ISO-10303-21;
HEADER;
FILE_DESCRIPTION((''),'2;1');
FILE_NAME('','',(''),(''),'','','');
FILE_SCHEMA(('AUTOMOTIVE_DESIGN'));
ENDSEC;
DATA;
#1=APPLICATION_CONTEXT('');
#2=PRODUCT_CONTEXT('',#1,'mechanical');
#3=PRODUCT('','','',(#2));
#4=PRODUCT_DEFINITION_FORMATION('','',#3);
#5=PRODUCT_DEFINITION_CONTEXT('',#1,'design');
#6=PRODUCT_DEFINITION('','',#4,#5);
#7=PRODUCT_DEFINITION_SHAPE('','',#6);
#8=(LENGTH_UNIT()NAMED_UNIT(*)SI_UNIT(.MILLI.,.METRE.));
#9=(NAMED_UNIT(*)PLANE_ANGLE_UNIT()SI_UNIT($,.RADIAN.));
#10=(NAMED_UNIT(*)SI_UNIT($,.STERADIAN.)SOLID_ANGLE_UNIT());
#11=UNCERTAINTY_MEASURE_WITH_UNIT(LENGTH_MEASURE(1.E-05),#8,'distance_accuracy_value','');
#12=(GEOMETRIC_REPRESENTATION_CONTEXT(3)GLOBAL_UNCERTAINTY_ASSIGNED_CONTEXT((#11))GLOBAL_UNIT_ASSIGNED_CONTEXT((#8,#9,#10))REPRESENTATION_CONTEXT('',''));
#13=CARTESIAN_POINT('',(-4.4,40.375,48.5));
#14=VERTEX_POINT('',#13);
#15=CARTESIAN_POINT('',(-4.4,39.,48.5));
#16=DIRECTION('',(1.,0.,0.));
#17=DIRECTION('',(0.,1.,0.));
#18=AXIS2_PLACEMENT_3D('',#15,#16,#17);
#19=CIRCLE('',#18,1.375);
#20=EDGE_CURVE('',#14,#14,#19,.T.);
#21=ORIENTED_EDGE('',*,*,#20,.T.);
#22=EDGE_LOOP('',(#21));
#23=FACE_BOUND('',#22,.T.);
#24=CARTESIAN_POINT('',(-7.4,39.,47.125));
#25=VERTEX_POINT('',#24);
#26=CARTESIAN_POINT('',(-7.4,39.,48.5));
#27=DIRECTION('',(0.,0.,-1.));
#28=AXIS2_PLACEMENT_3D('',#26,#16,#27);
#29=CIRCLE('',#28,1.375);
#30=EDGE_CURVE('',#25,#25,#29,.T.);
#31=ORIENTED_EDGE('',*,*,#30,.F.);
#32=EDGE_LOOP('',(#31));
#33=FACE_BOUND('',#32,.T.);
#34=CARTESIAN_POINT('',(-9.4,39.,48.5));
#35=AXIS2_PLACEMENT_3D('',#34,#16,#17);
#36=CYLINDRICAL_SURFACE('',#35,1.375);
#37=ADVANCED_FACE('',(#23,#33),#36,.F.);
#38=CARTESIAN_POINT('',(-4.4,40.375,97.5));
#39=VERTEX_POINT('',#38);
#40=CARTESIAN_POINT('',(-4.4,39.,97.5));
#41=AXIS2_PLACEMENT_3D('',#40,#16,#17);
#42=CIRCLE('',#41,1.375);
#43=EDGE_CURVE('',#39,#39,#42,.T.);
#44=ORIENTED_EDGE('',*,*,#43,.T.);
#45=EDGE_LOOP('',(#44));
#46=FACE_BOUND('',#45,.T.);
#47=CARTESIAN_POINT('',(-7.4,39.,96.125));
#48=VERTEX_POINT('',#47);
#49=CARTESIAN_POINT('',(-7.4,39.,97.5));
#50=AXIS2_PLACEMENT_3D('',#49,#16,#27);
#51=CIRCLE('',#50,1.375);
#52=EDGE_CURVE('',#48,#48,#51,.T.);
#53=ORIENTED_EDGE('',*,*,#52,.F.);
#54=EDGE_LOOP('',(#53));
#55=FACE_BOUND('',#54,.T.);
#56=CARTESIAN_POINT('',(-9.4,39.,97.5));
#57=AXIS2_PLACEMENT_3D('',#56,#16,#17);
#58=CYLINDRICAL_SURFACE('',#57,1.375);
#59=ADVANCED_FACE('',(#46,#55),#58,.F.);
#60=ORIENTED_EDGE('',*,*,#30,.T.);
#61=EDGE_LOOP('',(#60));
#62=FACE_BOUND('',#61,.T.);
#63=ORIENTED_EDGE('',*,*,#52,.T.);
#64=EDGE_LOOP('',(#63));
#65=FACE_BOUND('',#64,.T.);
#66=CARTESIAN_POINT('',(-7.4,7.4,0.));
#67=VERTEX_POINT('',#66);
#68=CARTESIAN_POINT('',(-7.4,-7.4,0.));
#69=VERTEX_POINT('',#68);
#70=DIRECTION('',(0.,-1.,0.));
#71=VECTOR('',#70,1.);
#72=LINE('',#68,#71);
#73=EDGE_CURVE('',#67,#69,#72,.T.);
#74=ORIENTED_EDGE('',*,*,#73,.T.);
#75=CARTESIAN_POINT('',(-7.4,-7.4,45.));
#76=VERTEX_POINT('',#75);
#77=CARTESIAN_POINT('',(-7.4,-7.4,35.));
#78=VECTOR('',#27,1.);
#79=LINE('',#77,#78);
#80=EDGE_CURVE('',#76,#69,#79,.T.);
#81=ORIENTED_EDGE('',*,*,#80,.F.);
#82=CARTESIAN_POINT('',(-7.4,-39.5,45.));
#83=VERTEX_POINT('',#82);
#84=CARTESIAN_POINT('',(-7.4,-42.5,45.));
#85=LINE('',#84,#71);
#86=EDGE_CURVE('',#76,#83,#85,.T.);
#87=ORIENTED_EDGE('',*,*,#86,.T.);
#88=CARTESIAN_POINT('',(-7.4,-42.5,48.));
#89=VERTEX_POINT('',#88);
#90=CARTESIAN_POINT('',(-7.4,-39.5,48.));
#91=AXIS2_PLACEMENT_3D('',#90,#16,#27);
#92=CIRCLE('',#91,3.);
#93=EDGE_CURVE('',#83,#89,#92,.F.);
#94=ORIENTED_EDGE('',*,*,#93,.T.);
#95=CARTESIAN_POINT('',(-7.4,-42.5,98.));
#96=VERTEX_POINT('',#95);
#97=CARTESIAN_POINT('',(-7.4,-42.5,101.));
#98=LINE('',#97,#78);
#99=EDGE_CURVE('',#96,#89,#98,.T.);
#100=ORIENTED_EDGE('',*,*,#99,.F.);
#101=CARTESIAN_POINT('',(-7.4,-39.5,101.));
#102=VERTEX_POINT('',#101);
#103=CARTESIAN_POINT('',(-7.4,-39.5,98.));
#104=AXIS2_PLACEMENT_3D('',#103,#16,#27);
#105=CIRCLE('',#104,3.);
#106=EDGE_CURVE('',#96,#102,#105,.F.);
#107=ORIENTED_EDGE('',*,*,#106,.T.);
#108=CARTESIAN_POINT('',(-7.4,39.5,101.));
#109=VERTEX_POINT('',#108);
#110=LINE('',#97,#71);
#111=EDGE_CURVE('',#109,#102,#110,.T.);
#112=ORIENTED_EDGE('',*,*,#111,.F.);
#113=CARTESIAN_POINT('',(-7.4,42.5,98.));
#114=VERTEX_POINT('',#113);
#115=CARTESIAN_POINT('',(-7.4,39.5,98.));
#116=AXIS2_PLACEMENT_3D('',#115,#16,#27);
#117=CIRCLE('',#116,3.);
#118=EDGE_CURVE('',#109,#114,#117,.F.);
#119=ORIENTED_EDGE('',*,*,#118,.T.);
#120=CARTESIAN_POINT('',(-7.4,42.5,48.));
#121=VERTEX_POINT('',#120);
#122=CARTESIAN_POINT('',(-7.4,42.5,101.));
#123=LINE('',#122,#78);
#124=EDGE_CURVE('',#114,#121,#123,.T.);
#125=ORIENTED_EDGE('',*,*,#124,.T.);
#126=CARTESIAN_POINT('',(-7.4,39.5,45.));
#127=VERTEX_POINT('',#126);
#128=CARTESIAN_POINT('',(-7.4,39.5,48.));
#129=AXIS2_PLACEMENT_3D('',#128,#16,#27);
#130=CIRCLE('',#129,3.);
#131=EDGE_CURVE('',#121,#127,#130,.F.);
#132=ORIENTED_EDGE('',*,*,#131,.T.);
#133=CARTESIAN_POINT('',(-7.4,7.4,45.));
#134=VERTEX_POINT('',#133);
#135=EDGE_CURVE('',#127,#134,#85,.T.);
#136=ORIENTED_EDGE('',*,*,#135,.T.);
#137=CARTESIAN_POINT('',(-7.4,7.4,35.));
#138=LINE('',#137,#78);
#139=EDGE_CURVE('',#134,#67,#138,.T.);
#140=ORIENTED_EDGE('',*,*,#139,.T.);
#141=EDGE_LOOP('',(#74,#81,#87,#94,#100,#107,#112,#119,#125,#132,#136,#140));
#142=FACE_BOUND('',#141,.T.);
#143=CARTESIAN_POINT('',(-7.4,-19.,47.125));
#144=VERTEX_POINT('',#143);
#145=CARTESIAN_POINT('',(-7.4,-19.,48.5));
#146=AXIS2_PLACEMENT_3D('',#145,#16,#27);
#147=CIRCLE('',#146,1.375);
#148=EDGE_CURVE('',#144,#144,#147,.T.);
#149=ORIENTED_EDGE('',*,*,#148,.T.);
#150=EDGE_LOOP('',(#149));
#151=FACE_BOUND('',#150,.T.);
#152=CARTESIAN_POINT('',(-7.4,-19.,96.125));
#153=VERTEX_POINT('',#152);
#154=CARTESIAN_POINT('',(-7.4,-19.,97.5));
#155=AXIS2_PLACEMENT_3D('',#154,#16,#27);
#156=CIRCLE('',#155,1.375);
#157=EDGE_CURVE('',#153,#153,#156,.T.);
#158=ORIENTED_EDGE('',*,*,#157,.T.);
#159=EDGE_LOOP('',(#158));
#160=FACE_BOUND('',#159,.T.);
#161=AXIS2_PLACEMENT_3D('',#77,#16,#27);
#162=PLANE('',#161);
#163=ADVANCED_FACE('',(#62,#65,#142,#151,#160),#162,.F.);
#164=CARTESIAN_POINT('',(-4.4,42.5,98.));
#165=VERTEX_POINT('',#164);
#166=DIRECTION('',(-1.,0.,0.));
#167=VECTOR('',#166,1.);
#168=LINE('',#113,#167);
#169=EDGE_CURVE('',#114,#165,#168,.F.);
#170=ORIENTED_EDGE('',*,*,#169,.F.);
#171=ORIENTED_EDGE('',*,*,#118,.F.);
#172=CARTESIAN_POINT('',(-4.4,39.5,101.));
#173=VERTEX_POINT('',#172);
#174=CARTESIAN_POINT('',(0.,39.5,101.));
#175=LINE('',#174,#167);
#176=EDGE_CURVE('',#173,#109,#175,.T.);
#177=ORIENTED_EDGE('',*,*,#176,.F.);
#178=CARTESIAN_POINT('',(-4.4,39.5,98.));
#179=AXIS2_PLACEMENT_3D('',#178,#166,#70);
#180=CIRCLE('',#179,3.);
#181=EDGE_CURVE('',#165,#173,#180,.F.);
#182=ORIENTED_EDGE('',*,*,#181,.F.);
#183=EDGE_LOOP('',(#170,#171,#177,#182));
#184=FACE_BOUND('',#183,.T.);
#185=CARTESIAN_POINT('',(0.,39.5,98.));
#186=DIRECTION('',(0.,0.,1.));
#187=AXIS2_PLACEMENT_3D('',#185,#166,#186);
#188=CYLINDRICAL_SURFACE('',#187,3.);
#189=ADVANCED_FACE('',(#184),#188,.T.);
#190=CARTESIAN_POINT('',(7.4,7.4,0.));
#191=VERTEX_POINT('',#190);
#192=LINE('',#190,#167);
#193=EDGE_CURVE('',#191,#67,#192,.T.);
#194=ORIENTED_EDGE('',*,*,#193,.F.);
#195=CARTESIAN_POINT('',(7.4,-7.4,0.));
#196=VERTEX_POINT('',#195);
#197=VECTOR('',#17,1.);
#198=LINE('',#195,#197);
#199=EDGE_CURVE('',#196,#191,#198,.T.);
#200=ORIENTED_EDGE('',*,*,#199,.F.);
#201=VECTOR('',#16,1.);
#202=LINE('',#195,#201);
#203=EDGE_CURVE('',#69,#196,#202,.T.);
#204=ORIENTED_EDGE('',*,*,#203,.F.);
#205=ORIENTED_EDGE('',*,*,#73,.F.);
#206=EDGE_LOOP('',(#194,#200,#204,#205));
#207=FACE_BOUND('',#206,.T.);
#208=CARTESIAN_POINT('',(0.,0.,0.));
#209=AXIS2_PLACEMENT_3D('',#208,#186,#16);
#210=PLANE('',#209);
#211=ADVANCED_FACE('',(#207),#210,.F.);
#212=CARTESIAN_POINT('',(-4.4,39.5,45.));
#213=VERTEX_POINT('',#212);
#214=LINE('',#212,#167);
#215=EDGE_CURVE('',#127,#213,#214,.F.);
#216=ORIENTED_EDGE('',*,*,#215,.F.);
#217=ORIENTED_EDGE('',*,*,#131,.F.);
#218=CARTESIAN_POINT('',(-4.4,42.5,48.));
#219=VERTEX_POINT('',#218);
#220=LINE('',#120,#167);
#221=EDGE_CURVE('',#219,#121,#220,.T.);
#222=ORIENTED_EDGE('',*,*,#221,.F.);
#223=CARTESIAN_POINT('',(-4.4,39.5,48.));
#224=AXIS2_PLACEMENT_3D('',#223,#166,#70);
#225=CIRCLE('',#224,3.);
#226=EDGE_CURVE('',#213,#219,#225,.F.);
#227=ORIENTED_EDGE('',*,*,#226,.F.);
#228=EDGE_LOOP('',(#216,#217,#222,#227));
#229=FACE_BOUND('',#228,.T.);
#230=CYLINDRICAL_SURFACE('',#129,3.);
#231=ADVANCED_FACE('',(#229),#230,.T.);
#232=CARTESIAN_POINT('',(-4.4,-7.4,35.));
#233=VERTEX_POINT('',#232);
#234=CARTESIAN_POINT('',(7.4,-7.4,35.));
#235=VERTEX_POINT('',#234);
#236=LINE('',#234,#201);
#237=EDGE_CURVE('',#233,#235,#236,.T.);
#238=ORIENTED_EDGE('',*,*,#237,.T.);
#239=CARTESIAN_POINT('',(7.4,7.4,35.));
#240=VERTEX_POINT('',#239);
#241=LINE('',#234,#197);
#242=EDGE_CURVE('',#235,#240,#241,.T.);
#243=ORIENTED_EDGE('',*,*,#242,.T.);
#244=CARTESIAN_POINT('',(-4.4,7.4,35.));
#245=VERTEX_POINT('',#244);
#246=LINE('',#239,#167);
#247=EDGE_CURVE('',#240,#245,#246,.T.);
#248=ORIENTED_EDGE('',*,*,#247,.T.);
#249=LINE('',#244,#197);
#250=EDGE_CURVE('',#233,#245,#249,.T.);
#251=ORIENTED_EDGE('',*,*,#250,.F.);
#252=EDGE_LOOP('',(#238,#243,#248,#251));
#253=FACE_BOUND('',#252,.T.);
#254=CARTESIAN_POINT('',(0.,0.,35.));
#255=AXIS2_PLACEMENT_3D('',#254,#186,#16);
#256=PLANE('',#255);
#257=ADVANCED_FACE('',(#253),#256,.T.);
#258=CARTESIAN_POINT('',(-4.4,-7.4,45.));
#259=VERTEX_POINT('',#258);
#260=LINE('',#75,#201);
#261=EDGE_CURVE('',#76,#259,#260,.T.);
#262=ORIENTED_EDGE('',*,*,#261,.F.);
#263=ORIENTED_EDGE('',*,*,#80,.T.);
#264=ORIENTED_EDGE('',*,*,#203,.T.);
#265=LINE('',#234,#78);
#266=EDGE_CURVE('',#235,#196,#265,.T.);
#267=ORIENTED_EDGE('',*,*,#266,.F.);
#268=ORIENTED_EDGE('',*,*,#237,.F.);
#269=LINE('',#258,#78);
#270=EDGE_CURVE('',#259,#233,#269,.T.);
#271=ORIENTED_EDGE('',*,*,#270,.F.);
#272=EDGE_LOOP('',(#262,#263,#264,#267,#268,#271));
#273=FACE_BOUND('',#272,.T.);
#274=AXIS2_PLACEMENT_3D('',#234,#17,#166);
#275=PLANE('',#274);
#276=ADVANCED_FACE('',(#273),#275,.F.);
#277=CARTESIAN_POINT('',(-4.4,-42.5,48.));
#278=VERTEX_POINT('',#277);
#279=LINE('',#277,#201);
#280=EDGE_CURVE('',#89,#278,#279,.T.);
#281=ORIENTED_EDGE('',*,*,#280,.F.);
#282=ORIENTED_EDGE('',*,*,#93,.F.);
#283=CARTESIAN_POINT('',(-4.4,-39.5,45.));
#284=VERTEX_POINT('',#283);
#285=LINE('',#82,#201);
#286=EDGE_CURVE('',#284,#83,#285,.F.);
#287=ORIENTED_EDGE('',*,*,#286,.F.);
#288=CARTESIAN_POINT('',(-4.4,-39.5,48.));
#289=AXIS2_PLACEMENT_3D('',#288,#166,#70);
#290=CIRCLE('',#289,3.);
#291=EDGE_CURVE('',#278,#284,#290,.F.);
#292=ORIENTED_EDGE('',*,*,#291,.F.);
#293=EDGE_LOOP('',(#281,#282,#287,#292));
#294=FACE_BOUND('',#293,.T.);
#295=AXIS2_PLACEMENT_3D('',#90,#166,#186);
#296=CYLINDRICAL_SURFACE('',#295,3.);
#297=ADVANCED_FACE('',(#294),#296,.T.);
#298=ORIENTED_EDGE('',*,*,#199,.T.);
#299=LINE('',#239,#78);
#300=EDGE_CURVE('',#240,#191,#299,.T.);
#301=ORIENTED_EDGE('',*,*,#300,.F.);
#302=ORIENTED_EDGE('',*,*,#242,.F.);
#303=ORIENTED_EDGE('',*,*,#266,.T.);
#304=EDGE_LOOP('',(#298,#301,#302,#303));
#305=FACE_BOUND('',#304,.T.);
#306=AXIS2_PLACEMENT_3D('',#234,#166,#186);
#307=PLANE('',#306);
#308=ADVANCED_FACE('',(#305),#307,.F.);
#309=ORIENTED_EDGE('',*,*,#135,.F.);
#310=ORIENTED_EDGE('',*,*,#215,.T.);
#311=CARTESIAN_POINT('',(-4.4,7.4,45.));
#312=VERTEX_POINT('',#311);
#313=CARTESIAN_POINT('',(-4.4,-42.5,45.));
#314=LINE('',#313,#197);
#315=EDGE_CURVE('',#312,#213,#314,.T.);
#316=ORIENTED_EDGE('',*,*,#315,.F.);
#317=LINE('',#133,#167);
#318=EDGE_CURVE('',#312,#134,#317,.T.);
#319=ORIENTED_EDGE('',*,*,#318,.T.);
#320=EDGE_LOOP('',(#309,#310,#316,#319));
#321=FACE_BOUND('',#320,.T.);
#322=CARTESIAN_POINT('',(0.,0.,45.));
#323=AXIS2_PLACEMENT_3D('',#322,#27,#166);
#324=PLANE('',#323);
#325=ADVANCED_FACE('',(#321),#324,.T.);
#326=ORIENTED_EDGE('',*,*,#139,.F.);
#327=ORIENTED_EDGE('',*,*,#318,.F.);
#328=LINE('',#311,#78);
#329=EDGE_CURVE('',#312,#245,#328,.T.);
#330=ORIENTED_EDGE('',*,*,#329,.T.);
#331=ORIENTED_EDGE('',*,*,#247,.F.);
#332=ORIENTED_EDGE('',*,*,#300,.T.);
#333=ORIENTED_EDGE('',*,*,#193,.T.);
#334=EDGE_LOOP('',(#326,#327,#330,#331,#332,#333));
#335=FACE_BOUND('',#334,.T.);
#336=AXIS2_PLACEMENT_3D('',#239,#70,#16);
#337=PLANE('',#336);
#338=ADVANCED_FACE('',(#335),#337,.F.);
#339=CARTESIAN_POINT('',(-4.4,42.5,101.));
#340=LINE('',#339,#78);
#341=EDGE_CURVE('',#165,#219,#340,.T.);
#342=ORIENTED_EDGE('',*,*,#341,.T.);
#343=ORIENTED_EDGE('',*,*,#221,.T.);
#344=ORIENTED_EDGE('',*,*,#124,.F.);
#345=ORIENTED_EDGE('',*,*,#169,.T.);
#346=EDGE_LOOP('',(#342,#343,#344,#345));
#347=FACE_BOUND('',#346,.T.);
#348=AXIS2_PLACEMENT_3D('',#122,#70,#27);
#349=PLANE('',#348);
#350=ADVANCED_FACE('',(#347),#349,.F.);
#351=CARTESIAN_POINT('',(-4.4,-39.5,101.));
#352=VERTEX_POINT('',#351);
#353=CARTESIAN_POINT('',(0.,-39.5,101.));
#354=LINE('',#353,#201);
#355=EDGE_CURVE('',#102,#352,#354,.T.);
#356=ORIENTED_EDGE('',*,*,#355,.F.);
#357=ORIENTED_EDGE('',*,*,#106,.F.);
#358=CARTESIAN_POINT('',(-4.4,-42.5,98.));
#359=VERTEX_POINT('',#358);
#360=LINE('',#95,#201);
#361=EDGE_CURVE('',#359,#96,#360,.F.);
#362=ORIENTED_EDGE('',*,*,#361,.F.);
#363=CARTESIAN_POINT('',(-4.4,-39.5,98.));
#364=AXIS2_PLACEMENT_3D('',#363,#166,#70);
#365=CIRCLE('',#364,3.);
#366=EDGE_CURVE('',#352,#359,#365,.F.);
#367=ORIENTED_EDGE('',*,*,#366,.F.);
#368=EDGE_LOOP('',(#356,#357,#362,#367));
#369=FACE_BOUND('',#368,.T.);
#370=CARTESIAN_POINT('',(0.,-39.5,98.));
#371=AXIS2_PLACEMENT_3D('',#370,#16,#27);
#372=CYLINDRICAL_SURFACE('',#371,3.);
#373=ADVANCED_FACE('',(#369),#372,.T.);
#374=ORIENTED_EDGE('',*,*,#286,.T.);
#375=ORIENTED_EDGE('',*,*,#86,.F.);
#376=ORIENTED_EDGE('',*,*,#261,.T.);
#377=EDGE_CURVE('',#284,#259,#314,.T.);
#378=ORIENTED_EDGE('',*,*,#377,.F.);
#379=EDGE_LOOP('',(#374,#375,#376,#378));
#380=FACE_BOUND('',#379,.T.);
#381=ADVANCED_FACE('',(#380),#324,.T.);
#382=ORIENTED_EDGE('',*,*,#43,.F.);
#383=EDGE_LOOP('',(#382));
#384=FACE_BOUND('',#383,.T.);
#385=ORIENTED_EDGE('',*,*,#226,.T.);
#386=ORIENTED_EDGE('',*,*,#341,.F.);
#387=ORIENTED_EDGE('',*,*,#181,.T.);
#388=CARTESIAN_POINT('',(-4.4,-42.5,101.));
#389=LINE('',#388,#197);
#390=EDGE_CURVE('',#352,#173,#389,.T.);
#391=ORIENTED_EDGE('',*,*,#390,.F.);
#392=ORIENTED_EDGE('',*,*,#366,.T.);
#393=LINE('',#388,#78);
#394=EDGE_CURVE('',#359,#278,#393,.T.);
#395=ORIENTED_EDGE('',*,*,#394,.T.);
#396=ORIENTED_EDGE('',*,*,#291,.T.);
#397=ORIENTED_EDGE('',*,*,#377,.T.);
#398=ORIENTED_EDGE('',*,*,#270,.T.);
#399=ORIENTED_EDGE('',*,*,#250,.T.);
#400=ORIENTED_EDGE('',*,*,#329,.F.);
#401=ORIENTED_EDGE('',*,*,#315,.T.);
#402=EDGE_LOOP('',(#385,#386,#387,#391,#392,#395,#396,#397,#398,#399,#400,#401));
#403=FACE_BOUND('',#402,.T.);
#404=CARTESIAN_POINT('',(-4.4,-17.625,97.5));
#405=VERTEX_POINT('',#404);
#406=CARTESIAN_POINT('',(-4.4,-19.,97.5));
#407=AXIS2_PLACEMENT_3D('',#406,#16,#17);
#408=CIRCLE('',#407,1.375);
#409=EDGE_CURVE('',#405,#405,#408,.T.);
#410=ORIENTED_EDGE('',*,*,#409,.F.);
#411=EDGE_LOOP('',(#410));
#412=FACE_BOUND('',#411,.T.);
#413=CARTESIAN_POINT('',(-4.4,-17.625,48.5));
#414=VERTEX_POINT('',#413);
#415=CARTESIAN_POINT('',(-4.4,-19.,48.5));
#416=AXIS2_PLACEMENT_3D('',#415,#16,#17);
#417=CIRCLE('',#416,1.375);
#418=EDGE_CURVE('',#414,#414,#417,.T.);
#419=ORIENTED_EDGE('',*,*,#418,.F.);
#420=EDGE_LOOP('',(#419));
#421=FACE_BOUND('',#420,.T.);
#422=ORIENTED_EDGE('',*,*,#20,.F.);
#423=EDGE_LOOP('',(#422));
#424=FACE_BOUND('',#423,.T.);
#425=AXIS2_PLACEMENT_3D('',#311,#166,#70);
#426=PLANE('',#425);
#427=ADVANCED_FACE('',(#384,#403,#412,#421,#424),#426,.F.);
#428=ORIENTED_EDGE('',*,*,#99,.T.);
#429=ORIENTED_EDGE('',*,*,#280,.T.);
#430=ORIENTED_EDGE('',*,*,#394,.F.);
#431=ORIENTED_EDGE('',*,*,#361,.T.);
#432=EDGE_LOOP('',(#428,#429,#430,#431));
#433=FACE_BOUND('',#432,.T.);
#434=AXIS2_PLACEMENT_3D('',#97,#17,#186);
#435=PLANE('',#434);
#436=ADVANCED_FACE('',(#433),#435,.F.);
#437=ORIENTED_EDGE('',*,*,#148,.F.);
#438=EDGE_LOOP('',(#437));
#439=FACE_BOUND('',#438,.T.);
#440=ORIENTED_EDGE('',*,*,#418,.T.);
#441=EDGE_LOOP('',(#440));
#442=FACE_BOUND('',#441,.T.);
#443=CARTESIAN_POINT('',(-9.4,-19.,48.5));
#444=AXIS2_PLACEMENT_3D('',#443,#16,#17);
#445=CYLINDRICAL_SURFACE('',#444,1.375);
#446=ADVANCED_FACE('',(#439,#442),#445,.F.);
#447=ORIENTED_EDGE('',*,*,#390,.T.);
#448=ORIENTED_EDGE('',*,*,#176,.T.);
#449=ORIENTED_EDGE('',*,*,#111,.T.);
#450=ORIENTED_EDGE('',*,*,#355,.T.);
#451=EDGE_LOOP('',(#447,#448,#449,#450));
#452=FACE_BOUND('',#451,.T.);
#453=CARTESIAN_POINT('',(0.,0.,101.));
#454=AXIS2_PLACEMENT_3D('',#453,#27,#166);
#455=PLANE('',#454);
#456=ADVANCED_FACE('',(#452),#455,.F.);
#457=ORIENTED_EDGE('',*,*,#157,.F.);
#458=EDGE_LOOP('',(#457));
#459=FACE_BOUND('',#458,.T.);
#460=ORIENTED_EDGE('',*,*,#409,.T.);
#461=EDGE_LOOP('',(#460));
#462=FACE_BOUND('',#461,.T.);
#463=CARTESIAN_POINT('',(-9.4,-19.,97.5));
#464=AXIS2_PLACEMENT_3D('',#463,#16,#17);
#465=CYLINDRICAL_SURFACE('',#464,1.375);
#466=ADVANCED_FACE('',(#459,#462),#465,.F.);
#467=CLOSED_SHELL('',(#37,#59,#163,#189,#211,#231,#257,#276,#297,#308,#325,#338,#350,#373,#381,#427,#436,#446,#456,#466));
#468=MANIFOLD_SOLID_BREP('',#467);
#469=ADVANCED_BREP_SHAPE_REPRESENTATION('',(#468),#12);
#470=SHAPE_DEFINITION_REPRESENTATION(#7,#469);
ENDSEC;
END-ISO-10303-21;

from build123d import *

# Parameters (mm, degrees)
SKETCH1_W           = 14.8
SKETCH1_H           = 14.8
BOSS_EXTRUDE1_DEPTH = 35
SKETCH3_W           = 3
SKETCH3_H           = 14.8
BOSS_EXTRUDE3_DEPTH = 10
SKETCH5_W           = 3
SKETCH5_H           = 85
BOSS_EXTRUDE4_DEPTH = 56
SKETCH6_R           = 1.375
CUT_EXTRUDE1_DEPTH  = 5
FILLET2_R           = 3


with BuildPart() as part:
    # Sketch1 → Boss-Extrude1 (new body)
    with BuildSketch(Plane.XY):
        Rectangle(SKETCH1_W, SKETCH1_H)
    extrude(amount=BOSS_EXTRUDE1_DEPTH)

    # Sketch3 → Boss-Extrude3 (add)
    with BuildSketch(Plane.XY.offset(35)):
        with Locations((-5.9, 0)):
            Rectangle(SKETCH3_W, SKETCH3_H)
    extrude(amount=BOSS_EXTRUDE3_DEPTH)

    # Sketch5 → Boss-Extrude4 (add)
    with BuildSketch(Plane.XY.offset(45)):
        with Locations((-5.9, 0)):
            Rectangle(SKETCH5_W, SKETCH5_H)
    extrude(amount=BOSS_EXTRUDE4_DEPTH)

    # Sketch6 → Cut-Extrude1 (cut)
    with BuildSketch(Plane(origin=(-4.4, 0, 0), x_dir=(0, 0, -1), z_dir=(1, 0, 0))):
        with Locations((-97.5, 39)):
            Circle(SKETCH6_R)
        with Locations((-48.5, 39)):
            Circle(SKETCH6_R)
        with Locations((-48.5, -19)):
            Circle(SKETCH6_R)
        with Locations((-97.5, -19)):
            Circle(SKETCH6_R)
    extrude(amount=-CUT_EXTRUDE1_DEPTH, mode=Mode.SUBTRACT)

    # Fillet2
    fillet2_edges = [part.edges().sort_by_distance(p)[0] for p in [
        (-5.9, -42.5, 45),
        (-5.9, 42.5, 45),
        (-5.9, -42.5, 101),
        (-5.9, 42.5, 101),
    ]]
    fillet(fillet2_edges, radius=FILLET2_R)


solid = part.part
